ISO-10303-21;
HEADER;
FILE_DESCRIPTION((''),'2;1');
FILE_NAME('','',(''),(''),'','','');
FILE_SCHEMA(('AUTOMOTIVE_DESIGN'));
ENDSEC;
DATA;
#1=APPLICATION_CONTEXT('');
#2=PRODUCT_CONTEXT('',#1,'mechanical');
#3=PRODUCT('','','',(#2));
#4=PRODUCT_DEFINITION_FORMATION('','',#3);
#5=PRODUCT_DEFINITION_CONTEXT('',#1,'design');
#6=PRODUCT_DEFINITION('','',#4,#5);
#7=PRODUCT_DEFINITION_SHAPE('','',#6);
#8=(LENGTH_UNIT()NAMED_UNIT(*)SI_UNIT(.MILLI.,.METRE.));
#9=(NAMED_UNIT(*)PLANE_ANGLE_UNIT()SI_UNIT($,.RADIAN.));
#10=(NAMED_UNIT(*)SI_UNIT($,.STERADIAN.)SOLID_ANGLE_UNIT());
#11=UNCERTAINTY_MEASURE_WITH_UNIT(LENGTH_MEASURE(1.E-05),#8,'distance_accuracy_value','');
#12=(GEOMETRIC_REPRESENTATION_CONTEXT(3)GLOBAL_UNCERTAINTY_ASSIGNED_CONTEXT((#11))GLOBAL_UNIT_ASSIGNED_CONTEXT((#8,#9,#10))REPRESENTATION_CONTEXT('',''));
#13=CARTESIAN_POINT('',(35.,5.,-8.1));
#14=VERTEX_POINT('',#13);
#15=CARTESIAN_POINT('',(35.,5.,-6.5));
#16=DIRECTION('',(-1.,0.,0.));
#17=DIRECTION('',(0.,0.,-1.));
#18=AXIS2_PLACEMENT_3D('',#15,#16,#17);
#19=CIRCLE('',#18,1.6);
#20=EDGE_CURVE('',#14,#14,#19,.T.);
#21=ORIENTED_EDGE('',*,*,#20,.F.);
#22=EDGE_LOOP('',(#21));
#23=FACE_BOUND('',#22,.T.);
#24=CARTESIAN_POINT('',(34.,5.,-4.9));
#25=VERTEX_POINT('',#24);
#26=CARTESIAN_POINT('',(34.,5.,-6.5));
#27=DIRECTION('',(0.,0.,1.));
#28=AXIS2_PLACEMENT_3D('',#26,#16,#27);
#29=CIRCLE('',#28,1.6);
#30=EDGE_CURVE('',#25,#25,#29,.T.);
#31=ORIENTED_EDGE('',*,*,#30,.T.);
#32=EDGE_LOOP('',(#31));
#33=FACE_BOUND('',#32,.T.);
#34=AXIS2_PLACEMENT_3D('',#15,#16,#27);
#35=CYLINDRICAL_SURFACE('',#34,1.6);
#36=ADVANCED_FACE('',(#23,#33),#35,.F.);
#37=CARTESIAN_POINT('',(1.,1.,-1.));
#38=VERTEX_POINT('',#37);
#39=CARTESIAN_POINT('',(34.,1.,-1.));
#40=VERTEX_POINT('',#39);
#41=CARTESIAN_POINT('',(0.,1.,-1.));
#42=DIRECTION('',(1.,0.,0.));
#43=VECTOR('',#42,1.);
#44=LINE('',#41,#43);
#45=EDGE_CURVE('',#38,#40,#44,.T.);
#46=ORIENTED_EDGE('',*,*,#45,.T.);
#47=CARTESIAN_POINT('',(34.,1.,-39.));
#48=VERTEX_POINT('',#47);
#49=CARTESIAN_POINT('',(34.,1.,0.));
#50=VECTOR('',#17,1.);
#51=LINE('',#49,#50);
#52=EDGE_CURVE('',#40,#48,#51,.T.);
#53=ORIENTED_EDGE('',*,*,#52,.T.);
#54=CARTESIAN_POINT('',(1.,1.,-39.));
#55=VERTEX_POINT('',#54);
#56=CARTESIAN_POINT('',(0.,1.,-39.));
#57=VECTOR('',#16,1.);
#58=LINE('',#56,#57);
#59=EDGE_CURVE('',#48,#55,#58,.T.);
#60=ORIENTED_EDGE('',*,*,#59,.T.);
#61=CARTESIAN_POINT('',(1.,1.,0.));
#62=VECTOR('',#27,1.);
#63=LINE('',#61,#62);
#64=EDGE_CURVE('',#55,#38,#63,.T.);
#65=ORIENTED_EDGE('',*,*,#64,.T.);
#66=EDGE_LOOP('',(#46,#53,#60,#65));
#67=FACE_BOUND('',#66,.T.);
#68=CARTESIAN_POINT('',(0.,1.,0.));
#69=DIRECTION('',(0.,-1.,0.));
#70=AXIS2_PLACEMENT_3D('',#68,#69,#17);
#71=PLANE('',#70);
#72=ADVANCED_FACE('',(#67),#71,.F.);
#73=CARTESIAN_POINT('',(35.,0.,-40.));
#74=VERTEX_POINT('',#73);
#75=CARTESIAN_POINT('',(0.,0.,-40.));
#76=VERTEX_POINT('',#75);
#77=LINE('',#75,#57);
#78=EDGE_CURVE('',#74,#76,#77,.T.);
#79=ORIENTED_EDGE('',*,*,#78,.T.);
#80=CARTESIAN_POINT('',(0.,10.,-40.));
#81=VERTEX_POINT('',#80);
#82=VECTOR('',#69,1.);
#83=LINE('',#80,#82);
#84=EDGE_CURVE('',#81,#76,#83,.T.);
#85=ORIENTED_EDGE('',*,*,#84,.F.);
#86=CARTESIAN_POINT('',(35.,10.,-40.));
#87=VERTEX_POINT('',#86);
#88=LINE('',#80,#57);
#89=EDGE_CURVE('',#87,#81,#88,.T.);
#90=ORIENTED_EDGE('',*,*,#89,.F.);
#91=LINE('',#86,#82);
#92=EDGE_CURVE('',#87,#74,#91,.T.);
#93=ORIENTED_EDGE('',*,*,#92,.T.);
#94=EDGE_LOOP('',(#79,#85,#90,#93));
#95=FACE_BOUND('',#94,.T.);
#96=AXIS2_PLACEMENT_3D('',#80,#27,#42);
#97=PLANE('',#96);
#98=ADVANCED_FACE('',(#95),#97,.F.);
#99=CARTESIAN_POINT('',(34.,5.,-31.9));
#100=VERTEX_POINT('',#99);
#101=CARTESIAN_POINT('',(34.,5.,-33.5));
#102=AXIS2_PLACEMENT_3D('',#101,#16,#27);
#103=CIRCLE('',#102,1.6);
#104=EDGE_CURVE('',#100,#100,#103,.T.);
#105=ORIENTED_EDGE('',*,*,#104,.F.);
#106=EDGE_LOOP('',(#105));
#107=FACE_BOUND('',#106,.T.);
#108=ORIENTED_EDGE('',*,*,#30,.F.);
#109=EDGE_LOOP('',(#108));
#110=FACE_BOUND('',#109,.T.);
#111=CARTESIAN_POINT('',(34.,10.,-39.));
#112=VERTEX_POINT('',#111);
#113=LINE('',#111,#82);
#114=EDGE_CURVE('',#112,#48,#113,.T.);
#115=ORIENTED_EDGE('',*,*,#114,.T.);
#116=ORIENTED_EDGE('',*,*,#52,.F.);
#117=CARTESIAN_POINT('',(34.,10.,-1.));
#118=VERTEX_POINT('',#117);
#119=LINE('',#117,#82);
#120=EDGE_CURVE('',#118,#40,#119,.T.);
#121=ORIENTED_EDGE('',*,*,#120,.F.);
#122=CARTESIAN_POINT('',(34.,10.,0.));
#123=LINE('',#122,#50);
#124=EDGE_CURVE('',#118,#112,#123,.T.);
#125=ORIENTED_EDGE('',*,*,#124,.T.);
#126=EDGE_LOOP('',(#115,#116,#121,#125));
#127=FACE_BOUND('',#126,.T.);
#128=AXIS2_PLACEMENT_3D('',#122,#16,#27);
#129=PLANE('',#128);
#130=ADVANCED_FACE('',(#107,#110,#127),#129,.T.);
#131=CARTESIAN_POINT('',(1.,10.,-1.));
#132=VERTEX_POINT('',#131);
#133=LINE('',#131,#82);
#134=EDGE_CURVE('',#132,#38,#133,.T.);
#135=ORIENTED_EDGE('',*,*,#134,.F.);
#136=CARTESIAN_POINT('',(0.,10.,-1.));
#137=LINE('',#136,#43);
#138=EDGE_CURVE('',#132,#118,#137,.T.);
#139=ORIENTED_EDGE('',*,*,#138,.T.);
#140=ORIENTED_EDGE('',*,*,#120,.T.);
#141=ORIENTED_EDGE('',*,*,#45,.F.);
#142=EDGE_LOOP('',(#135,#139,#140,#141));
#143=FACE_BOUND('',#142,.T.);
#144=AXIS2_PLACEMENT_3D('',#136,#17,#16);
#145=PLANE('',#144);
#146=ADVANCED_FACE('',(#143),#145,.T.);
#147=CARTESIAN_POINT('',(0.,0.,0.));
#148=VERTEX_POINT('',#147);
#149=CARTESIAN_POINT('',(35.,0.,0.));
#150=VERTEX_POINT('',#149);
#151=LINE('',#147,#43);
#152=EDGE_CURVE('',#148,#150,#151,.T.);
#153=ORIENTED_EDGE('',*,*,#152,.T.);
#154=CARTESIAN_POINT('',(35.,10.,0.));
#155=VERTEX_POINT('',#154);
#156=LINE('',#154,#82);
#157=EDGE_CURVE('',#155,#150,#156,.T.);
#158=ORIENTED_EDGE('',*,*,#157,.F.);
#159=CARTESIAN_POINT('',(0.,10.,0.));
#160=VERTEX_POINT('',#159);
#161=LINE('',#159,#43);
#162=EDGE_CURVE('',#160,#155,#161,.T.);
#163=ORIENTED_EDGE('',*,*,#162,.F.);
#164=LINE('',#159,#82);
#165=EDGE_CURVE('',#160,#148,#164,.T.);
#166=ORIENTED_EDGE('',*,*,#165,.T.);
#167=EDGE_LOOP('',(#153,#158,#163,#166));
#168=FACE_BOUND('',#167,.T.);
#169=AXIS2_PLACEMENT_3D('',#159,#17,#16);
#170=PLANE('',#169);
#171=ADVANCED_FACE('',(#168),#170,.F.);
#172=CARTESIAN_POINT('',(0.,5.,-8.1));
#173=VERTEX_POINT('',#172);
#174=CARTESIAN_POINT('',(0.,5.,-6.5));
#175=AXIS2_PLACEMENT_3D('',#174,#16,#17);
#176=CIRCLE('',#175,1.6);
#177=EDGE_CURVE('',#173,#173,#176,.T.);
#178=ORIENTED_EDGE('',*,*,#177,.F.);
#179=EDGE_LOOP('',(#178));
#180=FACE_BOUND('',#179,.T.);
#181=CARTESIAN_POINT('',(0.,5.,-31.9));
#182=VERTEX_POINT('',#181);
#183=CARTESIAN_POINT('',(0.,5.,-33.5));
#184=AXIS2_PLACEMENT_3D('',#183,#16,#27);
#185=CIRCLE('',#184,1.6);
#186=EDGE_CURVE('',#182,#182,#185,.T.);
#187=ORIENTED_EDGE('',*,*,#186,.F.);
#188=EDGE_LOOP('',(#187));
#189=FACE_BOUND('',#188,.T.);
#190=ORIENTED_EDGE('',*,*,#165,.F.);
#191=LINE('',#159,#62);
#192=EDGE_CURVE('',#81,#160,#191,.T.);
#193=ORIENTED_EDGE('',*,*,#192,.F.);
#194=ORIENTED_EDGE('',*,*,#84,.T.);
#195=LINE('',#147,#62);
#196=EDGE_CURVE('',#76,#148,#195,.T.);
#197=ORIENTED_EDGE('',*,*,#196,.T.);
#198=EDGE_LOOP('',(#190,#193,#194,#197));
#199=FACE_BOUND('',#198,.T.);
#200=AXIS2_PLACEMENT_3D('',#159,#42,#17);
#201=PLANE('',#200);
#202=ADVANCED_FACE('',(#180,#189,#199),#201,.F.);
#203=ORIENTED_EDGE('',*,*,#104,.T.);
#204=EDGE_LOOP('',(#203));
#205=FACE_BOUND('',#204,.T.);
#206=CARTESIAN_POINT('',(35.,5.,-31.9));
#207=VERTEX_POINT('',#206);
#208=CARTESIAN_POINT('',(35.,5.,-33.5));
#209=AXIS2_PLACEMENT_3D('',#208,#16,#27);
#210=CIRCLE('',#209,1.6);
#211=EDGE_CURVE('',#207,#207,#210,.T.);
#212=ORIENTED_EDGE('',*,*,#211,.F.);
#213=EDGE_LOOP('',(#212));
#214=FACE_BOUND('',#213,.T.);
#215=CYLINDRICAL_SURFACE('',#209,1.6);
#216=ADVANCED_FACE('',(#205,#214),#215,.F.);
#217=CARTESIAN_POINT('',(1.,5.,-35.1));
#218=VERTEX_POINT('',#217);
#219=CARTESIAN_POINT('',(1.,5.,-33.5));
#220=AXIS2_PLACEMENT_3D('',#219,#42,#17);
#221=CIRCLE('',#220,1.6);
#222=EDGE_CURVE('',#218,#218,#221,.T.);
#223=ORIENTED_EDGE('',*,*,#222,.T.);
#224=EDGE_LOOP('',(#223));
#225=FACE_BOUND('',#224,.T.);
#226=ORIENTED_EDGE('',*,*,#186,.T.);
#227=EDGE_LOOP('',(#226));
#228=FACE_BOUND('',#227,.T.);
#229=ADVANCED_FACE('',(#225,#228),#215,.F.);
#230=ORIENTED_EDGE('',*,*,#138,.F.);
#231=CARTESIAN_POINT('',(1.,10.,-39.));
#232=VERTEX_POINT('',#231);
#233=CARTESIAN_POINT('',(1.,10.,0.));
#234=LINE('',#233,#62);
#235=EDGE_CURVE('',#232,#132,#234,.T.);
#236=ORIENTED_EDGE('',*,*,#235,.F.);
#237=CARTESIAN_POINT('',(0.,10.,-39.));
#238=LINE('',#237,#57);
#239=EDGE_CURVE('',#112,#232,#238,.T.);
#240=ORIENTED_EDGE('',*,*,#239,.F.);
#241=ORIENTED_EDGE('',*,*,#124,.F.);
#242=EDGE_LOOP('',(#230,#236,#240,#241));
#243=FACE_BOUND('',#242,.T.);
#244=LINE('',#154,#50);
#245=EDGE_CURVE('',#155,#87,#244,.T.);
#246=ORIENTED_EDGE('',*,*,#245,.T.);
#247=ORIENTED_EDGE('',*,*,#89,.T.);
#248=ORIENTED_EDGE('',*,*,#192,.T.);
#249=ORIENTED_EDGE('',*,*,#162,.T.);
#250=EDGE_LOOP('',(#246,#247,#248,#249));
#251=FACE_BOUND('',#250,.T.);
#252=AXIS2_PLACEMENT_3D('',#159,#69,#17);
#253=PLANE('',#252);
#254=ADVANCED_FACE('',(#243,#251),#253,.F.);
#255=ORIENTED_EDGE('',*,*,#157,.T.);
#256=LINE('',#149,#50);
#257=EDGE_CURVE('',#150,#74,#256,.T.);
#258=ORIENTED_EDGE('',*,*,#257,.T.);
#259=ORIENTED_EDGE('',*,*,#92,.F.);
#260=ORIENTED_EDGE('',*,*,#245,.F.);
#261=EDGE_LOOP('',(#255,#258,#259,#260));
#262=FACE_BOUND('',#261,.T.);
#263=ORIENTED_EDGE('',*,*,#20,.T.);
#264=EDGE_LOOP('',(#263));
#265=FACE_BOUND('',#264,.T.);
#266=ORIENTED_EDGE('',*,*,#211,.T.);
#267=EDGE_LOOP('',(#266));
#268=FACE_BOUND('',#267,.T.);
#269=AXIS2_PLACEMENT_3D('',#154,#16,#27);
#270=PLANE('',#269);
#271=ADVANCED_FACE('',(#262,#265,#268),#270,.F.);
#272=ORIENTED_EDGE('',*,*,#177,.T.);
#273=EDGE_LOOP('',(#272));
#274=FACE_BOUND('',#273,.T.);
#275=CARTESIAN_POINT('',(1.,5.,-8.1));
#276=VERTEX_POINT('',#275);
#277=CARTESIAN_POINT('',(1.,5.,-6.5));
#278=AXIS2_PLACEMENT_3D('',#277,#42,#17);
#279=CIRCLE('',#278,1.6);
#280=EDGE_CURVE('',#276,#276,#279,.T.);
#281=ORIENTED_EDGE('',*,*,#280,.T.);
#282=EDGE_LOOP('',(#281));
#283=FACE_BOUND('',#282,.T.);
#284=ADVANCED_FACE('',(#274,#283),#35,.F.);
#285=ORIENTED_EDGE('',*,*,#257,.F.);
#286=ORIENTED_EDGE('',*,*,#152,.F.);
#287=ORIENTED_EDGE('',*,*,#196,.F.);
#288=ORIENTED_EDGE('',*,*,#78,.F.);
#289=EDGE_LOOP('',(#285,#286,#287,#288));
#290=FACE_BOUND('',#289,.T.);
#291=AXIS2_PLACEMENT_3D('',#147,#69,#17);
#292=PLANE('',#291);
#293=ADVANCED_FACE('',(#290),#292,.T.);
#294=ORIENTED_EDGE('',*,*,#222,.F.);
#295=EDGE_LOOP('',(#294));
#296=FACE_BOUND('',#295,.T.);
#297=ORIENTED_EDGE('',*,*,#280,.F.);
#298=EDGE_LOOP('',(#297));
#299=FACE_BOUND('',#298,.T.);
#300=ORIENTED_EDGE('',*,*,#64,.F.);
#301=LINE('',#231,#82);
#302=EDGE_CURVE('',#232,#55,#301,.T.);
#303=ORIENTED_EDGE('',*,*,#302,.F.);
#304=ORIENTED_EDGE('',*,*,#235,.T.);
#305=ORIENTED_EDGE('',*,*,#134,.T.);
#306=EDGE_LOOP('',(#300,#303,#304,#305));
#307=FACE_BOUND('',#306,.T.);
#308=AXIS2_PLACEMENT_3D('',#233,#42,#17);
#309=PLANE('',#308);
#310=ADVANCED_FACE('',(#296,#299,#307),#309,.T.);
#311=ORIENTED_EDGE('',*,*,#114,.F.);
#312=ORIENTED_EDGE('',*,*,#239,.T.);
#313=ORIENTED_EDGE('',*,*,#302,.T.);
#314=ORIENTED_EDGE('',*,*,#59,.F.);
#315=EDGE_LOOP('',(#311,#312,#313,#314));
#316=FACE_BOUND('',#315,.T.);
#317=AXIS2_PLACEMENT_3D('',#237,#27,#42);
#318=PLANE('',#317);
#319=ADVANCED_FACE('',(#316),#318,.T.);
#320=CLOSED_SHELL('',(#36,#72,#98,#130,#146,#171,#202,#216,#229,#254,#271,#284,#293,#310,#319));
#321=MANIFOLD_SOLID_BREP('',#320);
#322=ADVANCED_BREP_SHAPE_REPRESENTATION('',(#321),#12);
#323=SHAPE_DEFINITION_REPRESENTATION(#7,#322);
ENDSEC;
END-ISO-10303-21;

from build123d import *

# Parameters (mm, degrees)
SKETCH_1_W          = 35
SKETCH_1_H          = 40
EXTRUDE_1_DEPTH     = 10
SHELL_1_T           = -1
SKETCH_2_R          = 1.6
CUT_EXTRUDE_1_DEPTH = 55.083269132


with BuildPart() as part:
    # 草图1 → 凸台-拉伸1 (new body)
    with BuildSketch(Plane(origin=(0, 0, 0), x_dir=(1, 0, 0), z_dir=(0, 1, 0))):
        with Locations((17.5, 20)):
            Rectangle(SKETCH_1_W, SKETCH_1_H)
    extrude(amount=EXTRUDE_1_DEPTH)

    # 抽壳1
    shell_1_openings = [part.faces().sort_by_distance(p)[0] for p in [
        (17.5, 10, -20),
    ]]
    offset(amount=SHELL_1_T, openings=shell_1_openings, kind=Kind.INTERSECTION)

    # 草图2 → 切除-拉伸1 (cut, through all)
    with BuildSketch(Plane.ZY):
        with Locations((-33.5, 5)):
            Circle(SKETCH_2_R)
        with Locations((-6.5, 5)):
            Circle(SKETCH_2_R)
    extrude(amount=-CUT_EXTRUDE_1_DEPTH, mode=Mode.SUBTRACT)


solid = part.part
